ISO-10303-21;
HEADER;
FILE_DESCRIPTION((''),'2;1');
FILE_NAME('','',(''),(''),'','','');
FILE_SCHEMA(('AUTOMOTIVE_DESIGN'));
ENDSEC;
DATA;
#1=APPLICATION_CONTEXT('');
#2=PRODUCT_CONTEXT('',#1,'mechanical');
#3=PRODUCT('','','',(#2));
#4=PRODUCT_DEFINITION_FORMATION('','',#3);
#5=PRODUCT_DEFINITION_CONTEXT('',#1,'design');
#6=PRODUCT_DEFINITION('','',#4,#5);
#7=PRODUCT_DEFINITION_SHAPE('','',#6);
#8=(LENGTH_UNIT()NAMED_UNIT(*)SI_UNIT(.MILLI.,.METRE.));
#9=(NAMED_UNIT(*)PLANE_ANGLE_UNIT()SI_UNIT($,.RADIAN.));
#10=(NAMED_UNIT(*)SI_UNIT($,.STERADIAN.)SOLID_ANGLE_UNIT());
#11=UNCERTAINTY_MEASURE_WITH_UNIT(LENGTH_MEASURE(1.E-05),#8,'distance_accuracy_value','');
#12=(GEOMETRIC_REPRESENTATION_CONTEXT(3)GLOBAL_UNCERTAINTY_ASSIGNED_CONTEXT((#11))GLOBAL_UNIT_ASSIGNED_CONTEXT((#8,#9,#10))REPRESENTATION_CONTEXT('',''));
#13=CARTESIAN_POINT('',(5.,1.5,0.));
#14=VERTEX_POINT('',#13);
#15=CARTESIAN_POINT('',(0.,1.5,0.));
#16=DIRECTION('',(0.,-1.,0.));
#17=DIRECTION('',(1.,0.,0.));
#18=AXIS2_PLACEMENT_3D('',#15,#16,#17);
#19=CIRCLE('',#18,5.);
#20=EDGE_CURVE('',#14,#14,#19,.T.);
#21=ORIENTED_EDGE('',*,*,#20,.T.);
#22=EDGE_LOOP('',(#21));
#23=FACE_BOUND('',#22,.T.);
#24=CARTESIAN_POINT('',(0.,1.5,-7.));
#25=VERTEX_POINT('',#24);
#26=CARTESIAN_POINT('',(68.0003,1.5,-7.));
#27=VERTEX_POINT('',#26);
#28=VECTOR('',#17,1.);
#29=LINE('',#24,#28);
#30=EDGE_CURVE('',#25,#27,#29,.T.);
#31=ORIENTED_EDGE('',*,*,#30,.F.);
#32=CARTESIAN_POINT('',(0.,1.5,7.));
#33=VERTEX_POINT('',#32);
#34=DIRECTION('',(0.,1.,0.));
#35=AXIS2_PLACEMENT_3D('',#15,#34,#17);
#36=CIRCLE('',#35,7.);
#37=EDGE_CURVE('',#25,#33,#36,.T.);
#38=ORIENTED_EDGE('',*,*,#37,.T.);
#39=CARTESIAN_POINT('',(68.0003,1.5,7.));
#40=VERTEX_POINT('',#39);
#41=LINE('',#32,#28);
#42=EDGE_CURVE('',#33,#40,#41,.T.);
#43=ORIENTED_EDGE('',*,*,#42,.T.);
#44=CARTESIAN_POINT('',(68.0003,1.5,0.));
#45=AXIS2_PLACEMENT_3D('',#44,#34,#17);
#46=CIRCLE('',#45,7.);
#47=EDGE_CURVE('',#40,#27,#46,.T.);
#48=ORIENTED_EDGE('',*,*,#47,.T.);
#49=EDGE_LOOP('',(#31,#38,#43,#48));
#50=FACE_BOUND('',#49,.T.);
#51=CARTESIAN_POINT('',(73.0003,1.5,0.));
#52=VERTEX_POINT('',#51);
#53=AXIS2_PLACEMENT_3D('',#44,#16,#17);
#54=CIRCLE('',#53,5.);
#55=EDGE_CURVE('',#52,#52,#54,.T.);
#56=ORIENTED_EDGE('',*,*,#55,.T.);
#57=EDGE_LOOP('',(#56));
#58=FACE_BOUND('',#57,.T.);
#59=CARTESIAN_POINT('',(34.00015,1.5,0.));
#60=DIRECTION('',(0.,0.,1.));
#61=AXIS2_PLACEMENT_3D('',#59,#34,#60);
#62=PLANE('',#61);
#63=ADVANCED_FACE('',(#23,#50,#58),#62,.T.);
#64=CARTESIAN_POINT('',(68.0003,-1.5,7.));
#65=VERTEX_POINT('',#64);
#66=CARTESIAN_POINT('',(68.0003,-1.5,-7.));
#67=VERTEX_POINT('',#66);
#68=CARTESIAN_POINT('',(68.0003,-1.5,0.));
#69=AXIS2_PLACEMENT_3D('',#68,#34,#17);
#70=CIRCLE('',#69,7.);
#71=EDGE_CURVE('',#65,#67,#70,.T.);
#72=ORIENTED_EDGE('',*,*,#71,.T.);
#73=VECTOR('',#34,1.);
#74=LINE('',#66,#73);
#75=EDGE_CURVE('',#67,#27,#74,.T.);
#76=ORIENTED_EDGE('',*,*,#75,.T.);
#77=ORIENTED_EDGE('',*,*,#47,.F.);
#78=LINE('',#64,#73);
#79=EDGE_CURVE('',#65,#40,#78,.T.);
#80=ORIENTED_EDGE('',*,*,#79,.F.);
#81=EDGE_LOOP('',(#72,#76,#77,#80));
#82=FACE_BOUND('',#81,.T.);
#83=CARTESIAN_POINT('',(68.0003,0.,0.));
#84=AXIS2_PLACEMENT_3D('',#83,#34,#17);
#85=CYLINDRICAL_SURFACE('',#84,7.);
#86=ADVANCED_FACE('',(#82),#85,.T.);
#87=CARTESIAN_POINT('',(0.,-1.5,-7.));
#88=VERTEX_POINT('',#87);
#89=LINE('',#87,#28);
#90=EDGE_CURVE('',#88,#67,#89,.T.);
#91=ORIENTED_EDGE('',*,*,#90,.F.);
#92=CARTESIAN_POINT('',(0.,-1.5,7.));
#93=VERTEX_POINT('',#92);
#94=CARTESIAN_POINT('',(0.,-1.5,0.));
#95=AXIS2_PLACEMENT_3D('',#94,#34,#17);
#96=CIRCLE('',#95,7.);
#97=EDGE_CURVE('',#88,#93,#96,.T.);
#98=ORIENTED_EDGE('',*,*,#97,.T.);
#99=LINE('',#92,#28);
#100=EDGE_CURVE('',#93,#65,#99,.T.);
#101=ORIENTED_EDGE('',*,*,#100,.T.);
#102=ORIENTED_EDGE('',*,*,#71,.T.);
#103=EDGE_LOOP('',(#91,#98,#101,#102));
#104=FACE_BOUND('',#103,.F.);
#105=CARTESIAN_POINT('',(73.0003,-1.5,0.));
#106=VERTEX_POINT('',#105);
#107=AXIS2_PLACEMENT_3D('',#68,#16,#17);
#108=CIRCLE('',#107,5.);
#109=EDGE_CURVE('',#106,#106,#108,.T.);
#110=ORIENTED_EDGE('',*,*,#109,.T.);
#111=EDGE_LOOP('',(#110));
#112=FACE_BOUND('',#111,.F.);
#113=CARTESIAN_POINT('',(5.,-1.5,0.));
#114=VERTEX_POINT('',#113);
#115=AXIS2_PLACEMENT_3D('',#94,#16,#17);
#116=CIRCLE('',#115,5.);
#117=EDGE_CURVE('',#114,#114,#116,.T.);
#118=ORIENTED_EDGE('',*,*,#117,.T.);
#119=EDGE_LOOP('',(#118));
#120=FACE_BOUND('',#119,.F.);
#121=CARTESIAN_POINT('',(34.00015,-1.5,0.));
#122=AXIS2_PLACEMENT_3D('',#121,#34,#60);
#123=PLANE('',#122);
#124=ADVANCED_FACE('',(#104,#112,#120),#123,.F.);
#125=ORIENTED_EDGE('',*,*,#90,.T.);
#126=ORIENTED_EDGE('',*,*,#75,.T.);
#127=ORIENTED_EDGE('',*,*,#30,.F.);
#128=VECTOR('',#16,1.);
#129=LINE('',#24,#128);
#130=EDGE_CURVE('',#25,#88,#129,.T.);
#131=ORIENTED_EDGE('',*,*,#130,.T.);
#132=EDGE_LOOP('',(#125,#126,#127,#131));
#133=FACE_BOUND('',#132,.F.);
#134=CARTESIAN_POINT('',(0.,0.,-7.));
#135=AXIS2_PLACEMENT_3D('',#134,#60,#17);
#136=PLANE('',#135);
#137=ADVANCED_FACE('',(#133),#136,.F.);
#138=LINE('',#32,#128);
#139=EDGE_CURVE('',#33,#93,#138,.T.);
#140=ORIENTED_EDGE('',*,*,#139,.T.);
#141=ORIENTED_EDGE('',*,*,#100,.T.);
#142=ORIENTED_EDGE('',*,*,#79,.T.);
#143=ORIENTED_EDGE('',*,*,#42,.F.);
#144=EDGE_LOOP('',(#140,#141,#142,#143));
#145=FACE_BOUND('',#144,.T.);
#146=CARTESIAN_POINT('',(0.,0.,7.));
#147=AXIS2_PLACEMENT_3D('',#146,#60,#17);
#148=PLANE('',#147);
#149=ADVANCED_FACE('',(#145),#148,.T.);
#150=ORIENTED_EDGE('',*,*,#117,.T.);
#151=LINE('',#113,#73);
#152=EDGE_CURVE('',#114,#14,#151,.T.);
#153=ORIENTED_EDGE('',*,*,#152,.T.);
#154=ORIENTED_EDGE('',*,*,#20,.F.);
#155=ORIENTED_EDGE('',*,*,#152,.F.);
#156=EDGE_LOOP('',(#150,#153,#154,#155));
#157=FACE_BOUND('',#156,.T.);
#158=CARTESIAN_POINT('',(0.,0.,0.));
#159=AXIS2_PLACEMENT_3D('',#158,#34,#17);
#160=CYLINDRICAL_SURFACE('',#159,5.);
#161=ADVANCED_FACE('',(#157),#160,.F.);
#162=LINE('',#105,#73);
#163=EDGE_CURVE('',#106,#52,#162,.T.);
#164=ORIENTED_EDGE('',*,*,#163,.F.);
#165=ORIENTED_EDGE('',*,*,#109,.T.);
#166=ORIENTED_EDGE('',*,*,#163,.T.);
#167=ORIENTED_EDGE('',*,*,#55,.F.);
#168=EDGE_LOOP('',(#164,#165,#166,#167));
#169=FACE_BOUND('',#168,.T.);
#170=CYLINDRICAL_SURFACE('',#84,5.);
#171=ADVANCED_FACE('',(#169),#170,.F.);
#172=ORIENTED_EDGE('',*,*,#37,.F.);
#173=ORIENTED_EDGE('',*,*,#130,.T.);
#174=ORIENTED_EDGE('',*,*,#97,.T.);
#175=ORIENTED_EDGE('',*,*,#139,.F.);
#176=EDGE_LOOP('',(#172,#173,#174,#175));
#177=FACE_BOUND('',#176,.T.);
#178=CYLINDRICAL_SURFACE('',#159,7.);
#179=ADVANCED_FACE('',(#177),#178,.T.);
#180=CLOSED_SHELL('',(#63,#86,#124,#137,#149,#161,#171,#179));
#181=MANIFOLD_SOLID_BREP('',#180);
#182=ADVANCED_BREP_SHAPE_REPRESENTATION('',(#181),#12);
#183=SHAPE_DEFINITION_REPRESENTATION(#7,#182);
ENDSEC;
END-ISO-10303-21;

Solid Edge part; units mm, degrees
sketch "Sketch1" plane through (0, 0, 0) normal (0, -1, 0) x (1, 0, 0)
  circle A0 centre (0, 0) radius 5
  line L0 (0, 7) -> (68.0003, 7)
  line L1 (0, -7) -> (68.0003, -7)
  arc A1 (0, -7) -> (0, 7) centre (0, 0) cw
  arc A2 (68.0003, 7) -> (68.0003, -7) centre (68.0003, 0) cw
  circle A3 centre (68.0003, 0) radius 5
extrude "Protrusion1" add sketch "Sketch1" along normal mid plane 3
properties part number "1976-1500-004" material "Aluminio, 7075-T6"
